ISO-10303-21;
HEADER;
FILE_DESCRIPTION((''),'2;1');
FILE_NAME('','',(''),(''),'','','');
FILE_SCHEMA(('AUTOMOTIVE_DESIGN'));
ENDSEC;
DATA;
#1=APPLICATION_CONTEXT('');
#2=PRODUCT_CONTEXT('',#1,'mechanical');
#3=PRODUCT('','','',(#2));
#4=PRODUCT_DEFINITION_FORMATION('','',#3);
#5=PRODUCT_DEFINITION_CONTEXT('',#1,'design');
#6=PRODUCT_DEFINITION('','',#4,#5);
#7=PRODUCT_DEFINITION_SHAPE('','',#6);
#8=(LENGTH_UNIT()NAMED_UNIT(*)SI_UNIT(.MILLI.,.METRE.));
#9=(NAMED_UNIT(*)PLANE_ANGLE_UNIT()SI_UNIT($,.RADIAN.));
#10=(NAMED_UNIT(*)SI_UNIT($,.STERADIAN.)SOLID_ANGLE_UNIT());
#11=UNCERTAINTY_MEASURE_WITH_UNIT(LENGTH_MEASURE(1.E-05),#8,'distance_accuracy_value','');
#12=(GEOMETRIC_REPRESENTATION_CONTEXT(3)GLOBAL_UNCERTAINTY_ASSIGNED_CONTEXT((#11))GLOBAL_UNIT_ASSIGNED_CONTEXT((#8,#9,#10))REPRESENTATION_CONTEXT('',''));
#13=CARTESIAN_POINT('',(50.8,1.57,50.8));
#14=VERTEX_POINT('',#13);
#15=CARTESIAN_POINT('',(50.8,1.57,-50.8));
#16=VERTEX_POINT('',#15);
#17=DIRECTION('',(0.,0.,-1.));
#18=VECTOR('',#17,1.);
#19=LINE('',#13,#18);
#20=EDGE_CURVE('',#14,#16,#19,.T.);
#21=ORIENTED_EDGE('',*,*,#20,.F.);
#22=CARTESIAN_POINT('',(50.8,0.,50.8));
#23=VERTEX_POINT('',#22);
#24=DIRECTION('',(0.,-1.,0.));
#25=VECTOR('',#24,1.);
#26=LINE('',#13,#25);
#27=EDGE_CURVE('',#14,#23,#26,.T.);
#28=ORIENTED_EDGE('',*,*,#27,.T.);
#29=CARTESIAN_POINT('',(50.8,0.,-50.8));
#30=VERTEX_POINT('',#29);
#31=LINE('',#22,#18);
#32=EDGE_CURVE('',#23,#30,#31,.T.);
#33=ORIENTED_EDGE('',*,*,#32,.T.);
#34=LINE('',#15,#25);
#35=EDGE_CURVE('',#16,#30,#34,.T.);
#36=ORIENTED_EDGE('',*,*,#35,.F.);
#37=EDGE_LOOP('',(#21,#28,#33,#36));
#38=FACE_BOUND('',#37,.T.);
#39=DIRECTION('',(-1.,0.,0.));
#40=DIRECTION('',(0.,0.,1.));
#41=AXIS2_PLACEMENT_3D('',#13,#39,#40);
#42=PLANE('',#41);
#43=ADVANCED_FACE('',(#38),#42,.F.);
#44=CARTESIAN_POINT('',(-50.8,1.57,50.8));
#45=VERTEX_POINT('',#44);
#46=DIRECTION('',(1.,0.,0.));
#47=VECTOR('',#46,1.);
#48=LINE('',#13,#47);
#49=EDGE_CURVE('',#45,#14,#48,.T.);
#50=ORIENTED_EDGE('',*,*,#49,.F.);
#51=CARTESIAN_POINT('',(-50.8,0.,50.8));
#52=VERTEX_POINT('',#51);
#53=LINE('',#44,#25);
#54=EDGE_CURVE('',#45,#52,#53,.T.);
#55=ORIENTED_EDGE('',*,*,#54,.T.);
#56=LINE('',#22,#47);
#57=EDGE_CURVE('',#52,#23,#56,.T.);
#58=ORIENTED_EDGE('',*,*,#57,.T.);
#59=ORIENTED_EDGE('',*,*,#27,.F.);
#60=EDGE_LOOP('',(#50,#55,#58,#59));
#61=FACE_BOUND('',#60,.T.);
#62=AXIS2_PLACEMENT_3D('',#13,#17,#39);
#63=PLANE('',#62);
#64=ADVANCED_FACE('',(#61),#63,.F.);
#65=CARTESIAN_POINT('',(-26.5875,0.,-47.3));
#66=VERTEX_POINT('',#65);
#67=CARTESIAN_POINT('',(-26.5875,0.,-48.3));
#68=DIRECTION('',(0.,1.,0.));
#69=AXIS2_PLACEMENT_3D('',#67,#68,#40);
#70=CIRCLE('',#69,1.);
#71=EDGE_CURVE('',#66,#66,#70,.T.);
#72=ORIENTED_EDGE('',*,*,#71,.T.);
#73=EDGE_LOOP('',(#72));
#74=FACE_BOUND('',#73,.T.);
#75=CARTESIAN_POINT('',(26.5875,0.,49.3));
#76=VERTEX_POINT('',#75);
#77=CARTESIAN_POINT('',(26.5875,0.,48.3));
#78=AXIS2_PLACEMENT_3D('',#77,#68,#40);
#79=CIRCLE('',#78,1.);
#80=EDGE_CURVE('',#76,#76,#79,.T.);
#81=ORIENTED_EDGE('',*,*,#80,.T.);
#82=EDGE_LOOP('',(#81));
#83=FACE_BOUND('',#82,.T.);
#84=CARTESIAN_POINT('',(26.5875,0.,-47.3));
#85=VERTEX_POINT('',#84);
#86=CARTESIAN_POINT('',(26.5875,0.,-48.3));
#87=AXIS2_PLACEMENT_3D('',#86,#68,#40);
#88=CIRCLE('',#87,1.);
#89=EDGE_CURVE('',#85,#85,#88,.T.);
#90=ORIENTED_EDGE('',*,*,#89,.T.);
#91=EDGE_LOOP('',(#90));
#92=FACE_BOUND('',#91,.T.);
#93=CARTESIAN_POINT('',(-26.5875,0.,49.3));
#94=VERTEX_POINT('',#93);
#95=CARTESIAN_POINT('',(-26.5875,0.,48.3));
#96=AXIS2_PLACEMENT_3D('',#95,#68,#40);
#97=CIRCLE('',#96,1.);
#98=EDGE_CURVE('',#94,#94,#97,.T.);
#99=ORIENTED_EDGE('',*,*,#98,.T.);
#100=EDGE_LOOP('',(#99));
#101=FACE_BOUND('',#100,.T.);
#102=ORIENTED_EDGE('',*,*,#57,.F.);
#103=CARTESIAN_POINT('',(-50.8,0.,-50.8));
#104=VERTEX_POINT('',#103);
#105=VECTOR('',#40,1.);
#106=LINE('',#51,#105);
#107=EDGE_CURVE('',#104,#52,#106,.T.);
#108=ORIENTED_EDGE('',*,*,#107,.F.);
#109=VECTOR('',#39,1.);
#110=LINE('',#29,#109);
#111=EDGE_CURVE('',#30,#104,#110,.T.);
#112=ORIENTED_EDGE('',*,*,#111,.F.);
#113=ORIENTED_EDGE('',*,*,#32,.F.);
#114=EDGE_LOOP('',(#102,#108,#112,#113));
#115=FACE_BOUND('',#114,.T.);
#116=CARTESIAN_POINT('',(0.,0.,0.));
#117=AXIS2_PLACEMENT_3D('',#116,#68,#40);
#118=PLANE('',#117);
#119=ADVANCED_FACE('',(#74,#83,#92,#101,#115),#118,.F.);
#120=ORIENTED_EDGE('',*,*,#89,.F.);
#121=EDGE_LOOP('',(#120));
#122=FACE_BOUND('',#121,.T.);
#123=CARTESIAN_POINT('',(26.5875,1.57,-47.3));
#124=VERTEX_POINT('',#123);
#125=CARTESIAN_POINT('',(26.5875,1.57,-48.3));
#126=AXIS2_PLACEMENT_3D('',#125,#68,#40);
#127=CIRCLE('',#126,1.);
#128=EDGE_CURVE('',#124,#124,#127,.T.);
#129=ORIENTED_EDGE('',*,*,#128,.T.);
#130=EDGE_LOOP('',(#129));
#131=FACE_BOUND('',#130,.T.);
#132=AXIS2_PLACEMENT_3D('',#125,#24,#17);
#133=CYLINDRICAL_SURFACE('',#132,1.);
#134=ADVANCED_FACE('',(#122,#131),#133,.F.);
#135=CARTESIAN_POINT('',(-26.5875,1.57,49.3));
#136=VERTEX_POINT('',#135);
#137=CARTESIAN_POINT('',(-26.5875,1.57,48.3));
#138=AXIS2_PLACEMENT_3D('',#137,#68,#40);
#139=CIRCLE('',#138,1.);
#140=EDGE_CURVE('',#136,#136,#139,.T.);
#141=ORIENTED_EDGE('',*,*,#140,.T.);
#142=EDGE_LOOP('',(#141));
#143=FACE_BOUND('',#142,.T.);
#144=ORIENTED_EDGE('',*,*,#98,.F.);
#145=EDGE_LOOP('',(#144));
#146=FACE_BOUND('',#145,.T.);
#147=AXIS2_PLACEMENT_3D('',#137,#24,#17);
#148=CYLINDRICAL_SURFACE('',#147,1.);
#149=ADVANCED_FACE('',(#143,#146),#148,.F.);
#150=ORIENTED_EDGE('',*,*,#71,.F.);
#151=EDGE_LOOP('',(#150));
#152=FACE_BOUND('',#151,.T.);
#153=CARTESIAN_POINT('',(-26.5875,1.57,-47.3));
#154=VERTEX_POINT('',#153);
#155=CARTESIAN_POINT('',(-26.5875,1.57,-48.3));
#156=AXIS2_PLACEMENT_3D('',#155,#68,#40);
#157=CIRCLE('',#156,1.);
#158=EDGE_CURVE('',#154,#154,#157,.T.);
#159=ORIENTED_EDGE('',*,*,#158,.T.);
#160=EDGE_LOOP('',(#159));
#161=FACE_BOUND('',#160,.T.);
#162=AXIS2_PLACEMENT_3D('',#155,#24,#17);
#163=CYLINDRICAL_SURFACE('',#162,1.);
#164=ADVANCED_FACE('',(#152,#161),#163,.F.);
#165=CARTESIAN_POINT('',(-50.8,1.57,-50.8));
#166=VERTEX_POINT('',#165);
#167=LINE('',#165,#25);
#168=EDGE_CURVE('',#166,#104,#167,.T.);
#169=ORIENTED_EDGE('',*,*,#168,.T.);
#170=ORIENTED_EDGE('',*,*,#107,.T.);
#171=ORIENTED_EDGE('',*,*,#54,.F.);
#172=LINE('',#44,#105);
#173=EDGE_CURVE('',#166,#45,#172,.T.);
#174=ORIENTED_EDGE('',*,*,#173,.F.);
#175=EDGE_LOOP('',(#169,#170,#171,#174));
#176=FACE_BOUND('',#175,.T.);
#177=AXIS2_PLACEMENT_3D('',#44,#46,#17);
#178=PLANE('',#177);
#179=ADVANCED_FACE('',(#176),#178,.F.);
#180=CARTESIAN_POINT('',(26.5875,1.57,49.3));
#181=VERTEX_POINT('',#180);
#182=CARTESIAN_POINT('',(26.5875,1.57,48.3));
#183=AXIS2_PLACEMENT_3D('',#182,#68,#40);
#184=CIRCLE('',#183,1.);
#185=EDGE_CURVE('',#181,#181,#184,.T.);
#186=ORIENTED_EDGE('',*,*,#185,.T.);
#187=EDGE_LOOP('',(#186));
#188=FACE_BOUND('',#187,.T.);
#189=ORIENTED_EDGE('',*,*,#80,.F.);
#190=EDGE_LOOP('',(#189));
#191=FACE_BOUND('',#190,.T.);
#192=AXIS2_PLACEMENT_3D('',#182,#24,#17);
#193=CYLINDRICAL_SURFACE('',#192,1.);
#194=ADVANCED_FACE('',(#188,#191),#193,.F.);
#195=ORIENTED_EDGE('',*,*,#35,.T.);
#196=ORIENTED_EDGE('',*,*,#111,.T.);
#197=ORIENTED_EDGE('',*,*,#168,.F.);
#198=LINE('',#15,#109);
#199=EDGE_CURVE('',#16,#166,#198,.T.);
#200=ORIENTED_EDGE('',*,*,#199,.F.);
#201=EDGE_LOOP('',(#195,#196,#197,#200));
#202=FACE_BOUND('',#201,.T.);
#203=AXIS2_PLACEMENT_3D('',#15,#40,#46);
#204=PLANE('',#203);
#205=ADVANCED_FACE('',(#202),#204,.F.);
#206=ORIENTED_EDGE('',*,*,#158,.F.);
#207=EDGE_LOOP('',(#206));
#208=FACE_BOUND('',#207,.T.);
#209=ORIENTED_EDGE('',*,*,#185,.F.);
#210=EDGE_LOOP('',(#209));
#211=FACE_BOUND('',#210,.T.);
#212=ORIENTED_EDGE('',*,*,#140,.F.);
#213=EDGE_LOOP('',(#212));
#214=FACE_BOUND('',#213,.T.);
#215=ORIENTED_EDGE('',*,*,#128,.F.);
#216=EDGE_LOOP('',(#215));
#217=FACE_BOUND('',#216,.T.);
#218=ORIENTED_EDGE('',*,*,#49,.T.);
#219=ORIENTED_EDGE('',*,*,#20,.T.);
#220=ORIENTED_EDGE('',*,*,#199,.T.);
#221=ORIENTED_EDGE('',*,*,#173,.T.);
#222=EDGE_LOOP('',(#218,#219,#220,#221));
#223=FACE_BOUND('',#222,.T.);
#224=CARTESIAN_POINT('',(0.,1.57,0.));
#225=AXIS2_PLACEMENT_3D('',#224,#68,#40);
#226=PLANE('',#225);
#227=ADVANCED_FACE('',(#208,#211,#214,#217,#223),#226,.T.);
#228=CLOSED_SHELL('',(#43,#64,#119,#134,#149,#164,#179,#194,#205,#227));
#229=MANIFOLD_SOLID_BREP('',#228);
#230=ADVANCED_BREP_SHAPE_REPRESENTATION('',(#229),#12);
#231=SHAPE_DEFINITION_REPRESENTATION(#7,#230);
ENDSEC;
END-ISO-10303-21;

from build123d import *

# Parameters (mm, degrees)
SKETCH1_W           = 101.6
SKETCH1_H           = 101.6
SKETCH1_R           = 1
BOSS_EXTRUDE1_DEPTH = 1.57


with BuildPart() as part:
    # Sketch1 → Boss-Extrude1 (new body)
    with BuildSketch(Plane(origin=(0, 0, 0), x_dir=(1, 0, 0), z_dir=(0, 1, 0))):
        Rectangle(SKETCH1_W, SKETCH1_H)
        with Locations((-26.5875, -48.3)):
            Circle(SKETCH1_R, mode=Mode.SUBTRACT)
        with Locations((-26.5875, 48.3)):
            Circle(SKETCH1_R, mode=Mode.SUBTRACT)
        with Locations((26.5875, 48.3)):
            Circle(SKETCH1_R, mode=Mode.SUBTRACT)
        with Locations((26.5875, -48.3)):
            Circle(SKETCH1_R, mode=Mode.SUBTRACT)
    extrude(amount=BOSS_EXTRUDE1_DEPTH)


solid = part.part
